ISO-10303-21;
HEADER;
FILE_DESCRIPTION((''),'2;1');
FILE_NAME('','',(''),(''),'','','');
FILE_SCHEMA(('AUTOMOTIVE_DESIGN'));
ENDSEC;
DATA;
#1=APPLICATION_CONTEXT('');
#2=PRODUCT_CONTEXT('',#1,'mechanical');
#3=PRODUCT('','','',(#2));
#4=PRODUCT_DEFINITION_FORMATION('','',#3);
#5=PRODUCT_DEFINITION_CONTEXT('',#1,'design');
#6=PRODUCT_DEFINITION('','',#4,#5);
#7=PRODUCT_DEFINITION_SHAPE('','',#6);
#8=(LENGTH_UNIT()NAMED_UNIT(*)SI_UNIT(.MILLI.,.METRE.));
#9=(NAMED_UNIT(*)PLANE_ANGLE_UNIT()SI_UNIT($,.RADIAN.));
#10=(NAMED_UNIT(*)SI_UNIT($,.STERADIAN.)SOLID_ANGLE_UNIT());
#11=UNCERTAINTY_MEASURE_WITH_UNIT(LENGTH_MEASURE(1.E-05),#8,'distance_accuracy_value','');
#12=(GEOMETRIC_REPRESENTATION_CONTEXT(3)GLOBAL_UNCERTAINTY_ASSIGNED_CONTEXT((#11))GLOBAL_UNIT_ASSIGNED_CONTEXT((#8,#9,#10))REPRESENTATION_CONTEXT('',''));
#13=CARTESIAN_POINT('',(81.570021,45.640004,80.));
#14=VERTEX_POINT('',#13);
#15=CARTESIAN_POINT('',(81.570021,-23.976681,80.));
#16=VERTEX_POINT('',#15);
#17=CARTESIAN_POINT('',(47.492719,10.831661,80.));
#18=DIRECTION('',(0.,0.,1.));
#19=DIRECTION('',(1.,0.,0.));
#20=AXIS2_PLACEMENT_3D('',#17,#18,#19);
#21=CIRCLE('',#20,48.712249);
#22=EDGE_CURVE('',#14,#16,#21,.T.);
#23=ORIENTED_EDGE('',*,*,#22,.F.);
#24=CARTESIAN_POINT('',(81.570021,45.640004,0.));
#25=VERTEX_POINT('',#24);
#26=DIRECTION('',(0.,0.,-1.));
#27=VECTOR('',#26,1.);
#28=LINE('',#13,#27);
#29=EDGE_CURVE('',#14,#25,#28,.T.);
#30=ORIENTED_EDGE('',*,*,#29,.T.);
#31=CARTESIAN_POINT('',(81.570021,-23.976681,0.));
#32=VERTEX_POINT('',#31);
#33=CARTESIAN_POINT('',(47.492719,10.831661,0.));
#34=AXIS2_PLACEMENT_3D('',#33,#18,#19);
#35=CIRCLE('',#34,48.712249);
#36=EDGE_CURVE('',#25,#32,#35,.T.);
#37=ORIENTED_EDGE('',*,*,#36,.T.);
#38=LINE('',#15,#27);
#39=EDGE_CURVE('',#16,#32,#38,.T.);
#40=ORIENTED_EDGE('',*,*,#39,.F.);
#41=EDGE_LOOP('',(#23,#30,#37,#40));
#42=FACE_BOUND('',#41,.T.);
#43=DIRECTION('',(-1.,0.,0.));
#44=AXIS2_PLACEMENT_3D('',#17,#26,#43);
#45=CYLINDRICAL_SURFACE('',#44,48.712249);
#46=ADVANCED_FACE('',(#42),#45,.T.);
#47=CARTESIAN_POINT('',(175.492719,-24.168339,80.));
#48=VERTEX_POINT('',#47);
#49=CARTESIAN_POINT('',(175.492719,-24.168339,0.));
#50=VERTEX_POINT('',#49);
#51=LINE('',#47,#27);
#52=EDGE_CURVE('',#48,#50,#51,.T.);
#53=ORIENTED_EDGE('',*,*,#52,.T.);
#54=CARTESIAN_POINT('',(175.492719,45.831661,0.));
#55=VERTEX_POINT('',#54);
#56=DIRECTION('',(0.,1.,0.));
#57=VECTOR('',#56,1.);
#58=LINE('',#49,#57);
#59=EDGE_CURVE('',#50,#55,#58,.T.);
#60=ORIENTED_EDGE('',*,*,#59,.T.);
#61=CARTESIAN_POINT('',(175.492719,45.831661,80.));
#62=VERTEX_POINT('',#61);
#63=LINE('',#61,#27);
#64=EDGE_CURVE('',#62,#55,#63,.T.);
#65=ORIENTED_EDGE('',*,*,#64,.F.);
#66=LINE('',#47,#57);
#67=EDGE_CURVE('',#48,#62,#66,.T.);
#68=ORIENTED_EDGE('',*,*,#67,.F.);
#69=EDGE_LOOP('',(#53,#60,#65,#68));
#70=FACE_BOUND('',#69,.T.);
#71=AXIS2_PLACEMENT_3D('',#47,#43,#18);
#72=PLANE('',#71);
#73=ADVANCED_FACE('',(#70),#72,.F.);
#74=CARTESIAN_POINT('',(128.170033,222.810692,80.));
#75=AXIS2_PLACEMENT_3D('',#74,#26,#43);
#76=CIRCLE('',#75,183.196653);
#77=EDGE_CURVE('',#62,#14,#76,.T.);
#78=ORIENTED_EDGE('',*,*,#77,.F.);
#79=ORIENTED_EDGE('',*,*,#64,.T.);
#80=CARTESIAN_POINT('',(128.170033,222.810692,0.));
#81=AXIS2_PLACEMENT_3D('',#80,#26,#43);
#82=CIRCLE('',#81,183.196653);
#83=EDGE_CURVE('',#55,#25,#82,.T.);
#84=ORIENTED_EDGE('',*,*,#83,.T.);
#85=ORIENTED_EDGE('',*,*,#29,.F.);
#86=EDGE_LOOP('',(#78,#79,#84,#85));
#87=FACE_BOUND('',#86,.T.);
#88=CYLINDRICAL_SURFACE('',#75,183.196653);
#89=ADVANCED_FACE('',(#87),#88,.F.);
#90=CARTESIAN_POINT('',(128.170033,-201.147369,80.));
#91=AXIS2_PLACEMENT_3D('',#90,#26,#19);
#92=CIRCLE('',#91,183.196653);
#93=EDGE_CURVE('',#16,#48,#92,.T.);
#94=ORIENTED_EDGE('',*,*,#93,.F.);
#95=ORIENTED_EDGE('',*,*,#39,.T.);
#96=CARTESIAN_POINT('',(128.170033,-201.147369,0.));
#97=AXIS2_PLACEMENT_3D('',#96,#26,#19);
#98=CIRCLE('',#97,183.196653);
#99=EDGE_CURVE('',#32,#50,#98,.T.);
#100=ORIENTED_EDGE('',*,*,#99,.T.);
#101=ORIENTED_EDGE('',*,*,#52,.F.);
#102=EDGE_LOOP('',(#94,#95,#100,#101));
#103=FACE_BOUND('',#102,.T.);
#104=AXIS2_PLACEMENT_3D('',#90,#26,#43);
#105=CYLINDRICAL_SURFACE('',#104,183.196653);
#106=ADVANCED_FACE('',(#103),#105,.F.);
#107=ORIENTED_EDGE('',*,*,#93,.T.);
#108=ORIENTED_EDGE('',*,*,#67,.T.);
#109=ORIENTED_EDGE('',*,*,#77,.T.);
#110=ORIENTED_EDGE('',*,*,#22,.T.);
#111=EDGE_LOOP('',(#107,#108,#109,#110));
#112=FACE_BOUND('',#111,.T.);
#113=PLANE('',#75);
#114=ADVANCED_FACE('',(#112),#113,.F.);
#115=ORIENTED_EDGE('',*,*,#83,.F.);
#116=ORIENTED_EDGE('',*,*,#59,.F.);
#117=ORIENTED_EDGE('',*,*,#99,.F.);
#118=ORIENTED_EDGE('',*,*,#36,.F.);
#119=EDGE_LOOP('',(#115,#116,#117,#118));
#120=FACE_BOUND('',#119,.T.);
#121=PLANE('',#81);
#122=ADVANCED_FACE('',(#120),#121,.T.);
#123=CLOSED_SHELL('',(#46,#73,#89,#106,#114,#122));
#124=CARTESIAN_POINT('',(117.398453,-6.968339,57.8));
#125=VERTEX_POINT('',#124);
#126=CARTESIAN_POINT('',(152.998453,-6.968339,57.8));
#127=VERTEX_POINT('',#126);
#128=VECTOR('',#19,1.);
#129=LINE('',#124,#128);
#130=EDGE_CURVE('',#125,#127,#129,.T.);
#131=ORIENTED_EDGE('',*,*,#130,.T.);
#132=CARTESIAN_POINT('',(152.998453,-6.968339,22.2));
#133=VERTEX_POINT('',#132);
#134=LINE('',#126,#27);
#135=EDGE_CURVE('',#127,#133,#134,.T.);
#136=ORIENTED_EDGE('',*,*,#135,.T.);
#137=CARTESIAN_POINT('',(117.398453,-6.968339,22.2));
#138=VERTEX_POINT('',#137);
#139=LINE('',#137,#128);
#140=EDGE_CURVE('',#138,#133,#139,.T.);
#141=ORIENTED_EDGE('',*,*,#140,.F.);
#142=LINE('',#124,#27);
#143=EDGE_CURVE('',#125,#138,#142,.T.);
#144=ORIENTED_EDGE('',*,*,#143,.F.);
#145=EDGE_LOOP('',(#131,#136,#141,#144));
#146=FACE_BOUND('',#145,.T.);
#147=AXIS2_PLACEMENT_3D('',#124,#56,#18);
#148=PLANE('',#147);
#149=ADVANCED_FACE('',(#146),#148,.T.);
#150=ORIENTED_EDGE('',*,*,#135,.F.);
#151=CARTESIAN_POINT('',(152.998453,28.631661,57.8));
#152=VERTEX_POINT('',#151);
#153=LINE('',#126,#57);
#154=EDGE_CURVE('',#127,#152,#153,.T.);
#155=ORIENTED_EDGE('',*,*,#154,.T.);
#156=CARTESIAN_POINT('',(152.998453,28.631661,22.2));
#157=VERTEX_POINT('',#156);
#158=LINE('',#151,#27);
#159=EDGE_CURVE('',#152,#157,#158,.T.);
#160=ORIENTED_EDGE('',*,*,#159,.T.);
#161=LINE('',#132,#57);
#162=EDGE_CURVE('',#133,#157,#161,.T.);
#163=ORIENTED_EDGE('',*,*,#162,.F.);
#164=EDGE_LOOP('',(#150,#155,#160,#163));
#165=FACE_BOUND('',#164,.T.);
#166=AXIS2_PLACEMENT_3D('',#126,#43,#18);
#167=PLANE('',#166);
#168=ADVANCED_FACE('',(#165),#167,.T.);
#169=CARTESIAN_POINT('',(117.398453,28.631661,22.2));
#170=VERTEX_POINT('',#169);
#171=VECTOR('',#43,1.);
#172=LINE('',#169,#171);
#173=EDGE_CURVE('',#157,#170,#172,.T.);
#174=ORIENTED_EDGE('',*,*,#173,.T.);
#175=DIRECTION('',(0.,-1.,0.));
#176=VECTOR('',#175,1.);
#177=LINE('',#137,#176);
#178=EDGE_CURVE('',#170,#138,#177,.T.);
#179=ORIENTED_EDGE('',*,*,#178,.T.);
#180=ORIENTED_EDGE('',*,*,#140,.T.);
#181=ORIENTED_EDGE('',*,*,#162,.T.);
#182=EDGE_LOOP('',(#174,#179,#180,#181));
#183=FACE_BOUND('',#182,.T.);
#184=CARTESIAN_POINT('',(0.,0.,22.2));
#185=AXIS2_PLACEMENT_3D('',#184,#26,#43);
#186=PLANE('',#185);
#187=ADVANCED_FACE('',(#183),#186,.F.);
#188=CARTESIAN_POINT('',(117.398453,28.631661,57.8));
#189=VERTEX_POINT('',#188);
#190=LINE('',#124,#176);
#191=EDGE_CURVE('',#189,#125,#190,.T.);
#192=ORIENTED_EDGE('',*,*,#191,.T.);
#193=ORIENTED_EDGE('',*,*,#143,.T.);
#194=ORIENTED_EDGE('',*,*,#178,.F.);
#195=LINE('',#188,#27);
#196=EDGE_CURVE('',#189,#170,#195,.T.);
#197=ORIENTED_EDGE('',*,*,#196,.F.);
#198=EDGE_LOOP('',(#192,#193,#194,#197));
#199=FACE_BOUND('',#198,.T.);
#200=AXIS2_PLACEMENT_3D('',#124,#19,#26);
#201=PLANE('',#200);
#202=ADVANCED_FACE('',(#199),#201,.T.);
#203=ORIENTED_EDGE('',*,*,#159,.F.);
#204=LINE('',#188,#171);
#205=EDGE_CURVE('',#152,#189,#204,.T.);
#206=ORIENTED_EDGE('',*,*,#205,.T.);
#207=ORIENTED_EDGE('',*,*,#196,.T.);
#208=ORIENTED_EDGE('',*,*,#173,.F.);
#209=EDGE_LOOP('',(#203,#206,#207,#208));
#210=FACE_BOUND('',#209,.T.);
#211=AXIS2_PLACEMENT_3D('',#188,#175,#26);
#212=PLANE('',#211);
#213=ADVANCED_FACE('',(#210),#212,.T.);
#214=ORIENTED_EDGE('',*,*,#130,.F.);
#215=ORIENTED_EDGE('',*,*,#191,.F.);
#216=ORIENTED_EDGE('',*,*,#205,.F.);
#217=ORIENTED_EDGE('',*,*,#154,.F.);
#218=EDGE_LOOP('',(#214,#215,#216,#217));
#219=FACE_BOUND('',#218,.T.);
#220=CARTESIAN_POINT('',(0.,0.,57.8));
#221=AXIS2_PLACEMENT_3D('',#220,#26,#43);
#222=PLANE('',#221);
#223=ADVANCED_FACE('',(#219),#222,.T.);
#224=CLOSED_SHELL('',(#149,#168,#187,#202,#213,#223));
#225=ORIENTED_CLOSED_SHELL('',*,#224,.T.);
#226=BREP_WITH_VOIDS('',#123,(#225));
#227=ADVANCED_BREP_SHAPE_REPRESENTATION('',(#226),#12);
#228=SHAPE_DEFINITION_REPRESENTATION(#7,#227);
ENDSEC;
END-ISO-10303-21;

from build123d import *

# Parameters (mm, degrees)
DODANIE_WYCI_GNI_CIE2_DEPTH     = 80
SZKIC5_W                        = 35.6
SZKIC5_H                        = 35.6
WYTNIJ_WYCI_GNI_CIE1_DEPTH      = 17.8
WYTNIJ_WYCI_GNI_CIE1_DEPTH_BACK = 17.8


with BuildPart() as part:
    # Szkic2 → Dodanie-wyciągnięcie2 (new body)
    with BuildSketch(Plane.XY):
        with BuildLine():
            Line((175.492718802, -24.168338507), (175.492718802, 45.831661493))
            ThreePointArc((175.492718802, 45.831661493), (128.54386121, 39.614419972), (81.570021048, 45.640003906))
            ThreePointArc((81.570021048, 45.640003906), (-1.219530478, 10.831661493), (81.570021048, -23.976680919))
            ThreePointArc((81.570021048, -23.976680919), (128.54386121, -17.951096985), (175.492718802, -24.168338507))
        make_face()
    extrude(amount=DODANIE_WYCI_GNI_CIE2_DEPTH)

    # Szkic5 → Wytnij-wyciągnięcie1 (cut, two sides)
    with BuildSketch(Plane.XY.offset(40)) as wytnij_wyci_gni_cie1_sk:
        with Locations((135.198453221, 10.831661493)):
            Rectangle(SZKIC5_W, SZKIC5_H)
    extrude(amount=WYTNIJ_WYCI_GNI_CIE1_DEPTH, mode=Mode.SUBTRACT)
    extrude(wytnij_wyci_gni_cie1_sk.sketch, amount=-WYTNIJ_WYCI_GNI_CIE1_DEPTH_BACK, mode=Mode.SUBTRACT)


solid = part.part
